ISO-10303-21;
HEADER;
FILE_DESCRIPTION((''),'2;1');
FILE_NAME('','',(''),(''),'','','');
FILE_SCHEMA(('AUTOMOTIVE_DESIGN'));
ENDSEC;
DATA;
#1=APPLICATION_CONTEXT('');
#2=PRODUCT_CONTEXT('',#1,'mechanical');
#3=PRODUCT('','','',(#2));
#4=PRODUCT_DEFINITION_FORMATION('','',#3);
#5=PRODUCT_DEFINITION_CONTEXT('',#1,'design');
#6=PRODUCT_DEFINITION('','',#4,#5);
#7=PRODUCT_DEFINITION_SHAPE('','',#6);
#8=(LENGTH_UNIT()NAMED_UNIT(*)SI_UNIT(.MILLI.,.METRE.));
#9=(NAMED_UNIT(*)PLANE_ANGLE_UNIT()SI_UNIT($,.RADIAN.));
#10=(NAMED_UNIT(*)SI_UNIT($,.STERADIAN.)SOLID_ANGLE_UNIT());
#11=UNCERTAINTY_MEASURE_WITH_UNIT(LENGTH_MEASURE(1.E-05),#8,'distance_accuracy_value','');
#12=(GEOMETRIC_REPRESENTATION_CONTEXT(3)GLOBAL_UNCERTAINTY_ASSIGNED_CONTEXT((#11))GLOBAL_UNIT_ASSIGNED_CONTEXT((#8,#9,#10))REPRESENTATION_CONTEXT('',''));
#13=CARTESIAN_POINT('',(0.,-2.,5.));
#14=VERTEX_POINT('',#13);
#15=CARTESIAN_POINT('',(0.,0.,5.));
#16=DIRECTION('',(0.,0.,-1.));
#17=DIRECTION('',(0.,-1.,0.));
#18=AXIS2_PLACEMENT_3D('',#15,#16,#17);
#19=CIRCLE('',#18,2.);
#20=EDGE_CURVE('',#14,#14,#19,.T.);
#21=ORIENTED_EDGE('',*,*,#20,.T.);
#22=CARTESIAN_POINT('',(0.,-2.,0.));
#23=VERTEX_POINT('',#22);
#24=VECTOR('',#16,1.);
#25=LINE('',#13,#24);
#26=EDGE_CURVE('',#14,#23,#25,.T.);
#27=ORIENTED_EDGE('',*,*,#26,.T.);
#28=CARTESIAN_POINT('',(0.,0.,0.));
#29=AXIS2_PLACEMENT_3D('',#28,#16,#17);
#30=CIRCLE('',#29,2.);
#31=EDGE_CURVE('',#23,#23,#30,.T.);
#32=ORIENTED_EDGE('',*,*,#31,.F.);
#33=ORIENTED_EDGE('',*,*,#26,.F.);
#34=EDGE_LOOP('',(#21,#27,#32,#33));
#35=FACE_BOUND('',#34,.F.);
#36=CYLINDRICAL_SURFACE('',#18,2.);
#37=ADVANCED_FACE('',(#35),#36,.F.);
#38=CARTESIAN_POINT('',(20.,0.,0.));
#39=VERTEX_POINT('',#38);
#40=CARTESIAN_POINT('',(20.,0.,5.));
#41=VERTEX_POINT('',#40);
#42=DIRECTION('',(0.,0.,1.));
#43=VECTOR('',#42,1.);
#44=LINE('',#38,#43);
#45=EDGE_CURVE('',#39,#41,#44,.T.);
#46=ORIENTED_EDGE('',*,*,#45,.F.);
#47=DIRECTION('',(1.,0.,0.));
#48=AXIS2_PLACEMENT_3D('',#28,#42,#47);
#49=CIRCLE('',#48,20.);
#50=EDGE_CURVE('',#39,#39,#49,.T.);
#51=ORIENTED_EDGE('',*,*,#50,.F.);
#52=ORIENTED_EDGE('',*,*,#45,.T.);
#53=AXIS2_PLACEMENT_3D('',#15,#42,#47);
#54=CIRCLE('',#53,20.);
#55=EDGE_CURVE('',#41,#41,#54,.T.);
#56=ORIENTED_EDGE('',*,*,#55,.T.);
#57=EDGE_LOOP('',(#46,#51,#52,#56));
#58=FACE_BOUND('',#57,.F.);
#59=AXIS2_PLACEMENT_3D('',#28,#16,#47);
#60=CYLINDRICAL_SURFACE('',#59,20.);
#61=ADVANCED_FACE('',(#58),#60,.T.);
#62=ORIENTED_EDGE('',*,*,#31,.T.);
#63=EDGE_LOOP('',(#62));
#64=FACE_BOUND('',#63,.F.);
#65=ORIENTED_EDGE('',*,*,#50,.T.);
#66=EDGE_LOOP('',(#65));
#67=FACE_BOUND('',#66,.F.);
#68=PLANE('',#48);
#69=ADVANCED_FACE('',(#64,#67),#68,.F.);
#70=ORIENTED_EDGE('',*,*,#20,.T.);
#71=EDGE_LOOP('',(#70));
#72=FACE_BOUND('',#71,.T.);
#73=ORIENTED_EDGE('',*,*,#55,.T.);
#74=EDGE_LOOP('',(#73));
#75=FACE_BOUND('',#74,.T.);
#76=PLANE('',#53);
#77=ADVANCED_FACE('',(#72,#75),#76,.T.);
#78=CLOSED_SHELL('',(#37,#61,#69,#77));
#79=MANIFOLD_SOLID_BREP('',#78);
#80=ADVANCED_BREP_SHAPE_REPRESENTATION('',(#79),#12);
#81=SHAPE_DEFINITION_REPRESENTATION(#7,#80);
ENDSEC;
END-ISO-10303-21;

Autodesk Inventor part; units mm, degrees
ref_plane "YZ Plane" through (0, 0, 0) normal (1, 0, 0) x (0, 1, 0)
ref_plane "XZ Plane" through (0, 0, 0) normal (0, 1, 0) x (-1, 0, 0)
ref_plane "XY Plane" through (0, 0, 0) normal (0, 0, 1) x (1, 0, 0)
sketch "Sketch1" plane through (0, 0, 0) normal (0, 0, 1) x (1, 0, 0)
  circle A0 centre (0, 0) radius 20
  dimension "d0" = 40
extrude "Extrusion1" add sketch "Sketch1" along normal blind 5
sketch "Sketch2" plane through (0, 0, 5) normal (0, 0, 1) x (1, 0, 0)
  point P0 (0, 0)
  point P1 (0, 0)
  point P2 (0, 0)
hole "Hole1" at (0, 0, 5) direction (0, 0, -1) diameter 4 end through all
properties part number "flywheel_design4" material "Aluminum 6061"
